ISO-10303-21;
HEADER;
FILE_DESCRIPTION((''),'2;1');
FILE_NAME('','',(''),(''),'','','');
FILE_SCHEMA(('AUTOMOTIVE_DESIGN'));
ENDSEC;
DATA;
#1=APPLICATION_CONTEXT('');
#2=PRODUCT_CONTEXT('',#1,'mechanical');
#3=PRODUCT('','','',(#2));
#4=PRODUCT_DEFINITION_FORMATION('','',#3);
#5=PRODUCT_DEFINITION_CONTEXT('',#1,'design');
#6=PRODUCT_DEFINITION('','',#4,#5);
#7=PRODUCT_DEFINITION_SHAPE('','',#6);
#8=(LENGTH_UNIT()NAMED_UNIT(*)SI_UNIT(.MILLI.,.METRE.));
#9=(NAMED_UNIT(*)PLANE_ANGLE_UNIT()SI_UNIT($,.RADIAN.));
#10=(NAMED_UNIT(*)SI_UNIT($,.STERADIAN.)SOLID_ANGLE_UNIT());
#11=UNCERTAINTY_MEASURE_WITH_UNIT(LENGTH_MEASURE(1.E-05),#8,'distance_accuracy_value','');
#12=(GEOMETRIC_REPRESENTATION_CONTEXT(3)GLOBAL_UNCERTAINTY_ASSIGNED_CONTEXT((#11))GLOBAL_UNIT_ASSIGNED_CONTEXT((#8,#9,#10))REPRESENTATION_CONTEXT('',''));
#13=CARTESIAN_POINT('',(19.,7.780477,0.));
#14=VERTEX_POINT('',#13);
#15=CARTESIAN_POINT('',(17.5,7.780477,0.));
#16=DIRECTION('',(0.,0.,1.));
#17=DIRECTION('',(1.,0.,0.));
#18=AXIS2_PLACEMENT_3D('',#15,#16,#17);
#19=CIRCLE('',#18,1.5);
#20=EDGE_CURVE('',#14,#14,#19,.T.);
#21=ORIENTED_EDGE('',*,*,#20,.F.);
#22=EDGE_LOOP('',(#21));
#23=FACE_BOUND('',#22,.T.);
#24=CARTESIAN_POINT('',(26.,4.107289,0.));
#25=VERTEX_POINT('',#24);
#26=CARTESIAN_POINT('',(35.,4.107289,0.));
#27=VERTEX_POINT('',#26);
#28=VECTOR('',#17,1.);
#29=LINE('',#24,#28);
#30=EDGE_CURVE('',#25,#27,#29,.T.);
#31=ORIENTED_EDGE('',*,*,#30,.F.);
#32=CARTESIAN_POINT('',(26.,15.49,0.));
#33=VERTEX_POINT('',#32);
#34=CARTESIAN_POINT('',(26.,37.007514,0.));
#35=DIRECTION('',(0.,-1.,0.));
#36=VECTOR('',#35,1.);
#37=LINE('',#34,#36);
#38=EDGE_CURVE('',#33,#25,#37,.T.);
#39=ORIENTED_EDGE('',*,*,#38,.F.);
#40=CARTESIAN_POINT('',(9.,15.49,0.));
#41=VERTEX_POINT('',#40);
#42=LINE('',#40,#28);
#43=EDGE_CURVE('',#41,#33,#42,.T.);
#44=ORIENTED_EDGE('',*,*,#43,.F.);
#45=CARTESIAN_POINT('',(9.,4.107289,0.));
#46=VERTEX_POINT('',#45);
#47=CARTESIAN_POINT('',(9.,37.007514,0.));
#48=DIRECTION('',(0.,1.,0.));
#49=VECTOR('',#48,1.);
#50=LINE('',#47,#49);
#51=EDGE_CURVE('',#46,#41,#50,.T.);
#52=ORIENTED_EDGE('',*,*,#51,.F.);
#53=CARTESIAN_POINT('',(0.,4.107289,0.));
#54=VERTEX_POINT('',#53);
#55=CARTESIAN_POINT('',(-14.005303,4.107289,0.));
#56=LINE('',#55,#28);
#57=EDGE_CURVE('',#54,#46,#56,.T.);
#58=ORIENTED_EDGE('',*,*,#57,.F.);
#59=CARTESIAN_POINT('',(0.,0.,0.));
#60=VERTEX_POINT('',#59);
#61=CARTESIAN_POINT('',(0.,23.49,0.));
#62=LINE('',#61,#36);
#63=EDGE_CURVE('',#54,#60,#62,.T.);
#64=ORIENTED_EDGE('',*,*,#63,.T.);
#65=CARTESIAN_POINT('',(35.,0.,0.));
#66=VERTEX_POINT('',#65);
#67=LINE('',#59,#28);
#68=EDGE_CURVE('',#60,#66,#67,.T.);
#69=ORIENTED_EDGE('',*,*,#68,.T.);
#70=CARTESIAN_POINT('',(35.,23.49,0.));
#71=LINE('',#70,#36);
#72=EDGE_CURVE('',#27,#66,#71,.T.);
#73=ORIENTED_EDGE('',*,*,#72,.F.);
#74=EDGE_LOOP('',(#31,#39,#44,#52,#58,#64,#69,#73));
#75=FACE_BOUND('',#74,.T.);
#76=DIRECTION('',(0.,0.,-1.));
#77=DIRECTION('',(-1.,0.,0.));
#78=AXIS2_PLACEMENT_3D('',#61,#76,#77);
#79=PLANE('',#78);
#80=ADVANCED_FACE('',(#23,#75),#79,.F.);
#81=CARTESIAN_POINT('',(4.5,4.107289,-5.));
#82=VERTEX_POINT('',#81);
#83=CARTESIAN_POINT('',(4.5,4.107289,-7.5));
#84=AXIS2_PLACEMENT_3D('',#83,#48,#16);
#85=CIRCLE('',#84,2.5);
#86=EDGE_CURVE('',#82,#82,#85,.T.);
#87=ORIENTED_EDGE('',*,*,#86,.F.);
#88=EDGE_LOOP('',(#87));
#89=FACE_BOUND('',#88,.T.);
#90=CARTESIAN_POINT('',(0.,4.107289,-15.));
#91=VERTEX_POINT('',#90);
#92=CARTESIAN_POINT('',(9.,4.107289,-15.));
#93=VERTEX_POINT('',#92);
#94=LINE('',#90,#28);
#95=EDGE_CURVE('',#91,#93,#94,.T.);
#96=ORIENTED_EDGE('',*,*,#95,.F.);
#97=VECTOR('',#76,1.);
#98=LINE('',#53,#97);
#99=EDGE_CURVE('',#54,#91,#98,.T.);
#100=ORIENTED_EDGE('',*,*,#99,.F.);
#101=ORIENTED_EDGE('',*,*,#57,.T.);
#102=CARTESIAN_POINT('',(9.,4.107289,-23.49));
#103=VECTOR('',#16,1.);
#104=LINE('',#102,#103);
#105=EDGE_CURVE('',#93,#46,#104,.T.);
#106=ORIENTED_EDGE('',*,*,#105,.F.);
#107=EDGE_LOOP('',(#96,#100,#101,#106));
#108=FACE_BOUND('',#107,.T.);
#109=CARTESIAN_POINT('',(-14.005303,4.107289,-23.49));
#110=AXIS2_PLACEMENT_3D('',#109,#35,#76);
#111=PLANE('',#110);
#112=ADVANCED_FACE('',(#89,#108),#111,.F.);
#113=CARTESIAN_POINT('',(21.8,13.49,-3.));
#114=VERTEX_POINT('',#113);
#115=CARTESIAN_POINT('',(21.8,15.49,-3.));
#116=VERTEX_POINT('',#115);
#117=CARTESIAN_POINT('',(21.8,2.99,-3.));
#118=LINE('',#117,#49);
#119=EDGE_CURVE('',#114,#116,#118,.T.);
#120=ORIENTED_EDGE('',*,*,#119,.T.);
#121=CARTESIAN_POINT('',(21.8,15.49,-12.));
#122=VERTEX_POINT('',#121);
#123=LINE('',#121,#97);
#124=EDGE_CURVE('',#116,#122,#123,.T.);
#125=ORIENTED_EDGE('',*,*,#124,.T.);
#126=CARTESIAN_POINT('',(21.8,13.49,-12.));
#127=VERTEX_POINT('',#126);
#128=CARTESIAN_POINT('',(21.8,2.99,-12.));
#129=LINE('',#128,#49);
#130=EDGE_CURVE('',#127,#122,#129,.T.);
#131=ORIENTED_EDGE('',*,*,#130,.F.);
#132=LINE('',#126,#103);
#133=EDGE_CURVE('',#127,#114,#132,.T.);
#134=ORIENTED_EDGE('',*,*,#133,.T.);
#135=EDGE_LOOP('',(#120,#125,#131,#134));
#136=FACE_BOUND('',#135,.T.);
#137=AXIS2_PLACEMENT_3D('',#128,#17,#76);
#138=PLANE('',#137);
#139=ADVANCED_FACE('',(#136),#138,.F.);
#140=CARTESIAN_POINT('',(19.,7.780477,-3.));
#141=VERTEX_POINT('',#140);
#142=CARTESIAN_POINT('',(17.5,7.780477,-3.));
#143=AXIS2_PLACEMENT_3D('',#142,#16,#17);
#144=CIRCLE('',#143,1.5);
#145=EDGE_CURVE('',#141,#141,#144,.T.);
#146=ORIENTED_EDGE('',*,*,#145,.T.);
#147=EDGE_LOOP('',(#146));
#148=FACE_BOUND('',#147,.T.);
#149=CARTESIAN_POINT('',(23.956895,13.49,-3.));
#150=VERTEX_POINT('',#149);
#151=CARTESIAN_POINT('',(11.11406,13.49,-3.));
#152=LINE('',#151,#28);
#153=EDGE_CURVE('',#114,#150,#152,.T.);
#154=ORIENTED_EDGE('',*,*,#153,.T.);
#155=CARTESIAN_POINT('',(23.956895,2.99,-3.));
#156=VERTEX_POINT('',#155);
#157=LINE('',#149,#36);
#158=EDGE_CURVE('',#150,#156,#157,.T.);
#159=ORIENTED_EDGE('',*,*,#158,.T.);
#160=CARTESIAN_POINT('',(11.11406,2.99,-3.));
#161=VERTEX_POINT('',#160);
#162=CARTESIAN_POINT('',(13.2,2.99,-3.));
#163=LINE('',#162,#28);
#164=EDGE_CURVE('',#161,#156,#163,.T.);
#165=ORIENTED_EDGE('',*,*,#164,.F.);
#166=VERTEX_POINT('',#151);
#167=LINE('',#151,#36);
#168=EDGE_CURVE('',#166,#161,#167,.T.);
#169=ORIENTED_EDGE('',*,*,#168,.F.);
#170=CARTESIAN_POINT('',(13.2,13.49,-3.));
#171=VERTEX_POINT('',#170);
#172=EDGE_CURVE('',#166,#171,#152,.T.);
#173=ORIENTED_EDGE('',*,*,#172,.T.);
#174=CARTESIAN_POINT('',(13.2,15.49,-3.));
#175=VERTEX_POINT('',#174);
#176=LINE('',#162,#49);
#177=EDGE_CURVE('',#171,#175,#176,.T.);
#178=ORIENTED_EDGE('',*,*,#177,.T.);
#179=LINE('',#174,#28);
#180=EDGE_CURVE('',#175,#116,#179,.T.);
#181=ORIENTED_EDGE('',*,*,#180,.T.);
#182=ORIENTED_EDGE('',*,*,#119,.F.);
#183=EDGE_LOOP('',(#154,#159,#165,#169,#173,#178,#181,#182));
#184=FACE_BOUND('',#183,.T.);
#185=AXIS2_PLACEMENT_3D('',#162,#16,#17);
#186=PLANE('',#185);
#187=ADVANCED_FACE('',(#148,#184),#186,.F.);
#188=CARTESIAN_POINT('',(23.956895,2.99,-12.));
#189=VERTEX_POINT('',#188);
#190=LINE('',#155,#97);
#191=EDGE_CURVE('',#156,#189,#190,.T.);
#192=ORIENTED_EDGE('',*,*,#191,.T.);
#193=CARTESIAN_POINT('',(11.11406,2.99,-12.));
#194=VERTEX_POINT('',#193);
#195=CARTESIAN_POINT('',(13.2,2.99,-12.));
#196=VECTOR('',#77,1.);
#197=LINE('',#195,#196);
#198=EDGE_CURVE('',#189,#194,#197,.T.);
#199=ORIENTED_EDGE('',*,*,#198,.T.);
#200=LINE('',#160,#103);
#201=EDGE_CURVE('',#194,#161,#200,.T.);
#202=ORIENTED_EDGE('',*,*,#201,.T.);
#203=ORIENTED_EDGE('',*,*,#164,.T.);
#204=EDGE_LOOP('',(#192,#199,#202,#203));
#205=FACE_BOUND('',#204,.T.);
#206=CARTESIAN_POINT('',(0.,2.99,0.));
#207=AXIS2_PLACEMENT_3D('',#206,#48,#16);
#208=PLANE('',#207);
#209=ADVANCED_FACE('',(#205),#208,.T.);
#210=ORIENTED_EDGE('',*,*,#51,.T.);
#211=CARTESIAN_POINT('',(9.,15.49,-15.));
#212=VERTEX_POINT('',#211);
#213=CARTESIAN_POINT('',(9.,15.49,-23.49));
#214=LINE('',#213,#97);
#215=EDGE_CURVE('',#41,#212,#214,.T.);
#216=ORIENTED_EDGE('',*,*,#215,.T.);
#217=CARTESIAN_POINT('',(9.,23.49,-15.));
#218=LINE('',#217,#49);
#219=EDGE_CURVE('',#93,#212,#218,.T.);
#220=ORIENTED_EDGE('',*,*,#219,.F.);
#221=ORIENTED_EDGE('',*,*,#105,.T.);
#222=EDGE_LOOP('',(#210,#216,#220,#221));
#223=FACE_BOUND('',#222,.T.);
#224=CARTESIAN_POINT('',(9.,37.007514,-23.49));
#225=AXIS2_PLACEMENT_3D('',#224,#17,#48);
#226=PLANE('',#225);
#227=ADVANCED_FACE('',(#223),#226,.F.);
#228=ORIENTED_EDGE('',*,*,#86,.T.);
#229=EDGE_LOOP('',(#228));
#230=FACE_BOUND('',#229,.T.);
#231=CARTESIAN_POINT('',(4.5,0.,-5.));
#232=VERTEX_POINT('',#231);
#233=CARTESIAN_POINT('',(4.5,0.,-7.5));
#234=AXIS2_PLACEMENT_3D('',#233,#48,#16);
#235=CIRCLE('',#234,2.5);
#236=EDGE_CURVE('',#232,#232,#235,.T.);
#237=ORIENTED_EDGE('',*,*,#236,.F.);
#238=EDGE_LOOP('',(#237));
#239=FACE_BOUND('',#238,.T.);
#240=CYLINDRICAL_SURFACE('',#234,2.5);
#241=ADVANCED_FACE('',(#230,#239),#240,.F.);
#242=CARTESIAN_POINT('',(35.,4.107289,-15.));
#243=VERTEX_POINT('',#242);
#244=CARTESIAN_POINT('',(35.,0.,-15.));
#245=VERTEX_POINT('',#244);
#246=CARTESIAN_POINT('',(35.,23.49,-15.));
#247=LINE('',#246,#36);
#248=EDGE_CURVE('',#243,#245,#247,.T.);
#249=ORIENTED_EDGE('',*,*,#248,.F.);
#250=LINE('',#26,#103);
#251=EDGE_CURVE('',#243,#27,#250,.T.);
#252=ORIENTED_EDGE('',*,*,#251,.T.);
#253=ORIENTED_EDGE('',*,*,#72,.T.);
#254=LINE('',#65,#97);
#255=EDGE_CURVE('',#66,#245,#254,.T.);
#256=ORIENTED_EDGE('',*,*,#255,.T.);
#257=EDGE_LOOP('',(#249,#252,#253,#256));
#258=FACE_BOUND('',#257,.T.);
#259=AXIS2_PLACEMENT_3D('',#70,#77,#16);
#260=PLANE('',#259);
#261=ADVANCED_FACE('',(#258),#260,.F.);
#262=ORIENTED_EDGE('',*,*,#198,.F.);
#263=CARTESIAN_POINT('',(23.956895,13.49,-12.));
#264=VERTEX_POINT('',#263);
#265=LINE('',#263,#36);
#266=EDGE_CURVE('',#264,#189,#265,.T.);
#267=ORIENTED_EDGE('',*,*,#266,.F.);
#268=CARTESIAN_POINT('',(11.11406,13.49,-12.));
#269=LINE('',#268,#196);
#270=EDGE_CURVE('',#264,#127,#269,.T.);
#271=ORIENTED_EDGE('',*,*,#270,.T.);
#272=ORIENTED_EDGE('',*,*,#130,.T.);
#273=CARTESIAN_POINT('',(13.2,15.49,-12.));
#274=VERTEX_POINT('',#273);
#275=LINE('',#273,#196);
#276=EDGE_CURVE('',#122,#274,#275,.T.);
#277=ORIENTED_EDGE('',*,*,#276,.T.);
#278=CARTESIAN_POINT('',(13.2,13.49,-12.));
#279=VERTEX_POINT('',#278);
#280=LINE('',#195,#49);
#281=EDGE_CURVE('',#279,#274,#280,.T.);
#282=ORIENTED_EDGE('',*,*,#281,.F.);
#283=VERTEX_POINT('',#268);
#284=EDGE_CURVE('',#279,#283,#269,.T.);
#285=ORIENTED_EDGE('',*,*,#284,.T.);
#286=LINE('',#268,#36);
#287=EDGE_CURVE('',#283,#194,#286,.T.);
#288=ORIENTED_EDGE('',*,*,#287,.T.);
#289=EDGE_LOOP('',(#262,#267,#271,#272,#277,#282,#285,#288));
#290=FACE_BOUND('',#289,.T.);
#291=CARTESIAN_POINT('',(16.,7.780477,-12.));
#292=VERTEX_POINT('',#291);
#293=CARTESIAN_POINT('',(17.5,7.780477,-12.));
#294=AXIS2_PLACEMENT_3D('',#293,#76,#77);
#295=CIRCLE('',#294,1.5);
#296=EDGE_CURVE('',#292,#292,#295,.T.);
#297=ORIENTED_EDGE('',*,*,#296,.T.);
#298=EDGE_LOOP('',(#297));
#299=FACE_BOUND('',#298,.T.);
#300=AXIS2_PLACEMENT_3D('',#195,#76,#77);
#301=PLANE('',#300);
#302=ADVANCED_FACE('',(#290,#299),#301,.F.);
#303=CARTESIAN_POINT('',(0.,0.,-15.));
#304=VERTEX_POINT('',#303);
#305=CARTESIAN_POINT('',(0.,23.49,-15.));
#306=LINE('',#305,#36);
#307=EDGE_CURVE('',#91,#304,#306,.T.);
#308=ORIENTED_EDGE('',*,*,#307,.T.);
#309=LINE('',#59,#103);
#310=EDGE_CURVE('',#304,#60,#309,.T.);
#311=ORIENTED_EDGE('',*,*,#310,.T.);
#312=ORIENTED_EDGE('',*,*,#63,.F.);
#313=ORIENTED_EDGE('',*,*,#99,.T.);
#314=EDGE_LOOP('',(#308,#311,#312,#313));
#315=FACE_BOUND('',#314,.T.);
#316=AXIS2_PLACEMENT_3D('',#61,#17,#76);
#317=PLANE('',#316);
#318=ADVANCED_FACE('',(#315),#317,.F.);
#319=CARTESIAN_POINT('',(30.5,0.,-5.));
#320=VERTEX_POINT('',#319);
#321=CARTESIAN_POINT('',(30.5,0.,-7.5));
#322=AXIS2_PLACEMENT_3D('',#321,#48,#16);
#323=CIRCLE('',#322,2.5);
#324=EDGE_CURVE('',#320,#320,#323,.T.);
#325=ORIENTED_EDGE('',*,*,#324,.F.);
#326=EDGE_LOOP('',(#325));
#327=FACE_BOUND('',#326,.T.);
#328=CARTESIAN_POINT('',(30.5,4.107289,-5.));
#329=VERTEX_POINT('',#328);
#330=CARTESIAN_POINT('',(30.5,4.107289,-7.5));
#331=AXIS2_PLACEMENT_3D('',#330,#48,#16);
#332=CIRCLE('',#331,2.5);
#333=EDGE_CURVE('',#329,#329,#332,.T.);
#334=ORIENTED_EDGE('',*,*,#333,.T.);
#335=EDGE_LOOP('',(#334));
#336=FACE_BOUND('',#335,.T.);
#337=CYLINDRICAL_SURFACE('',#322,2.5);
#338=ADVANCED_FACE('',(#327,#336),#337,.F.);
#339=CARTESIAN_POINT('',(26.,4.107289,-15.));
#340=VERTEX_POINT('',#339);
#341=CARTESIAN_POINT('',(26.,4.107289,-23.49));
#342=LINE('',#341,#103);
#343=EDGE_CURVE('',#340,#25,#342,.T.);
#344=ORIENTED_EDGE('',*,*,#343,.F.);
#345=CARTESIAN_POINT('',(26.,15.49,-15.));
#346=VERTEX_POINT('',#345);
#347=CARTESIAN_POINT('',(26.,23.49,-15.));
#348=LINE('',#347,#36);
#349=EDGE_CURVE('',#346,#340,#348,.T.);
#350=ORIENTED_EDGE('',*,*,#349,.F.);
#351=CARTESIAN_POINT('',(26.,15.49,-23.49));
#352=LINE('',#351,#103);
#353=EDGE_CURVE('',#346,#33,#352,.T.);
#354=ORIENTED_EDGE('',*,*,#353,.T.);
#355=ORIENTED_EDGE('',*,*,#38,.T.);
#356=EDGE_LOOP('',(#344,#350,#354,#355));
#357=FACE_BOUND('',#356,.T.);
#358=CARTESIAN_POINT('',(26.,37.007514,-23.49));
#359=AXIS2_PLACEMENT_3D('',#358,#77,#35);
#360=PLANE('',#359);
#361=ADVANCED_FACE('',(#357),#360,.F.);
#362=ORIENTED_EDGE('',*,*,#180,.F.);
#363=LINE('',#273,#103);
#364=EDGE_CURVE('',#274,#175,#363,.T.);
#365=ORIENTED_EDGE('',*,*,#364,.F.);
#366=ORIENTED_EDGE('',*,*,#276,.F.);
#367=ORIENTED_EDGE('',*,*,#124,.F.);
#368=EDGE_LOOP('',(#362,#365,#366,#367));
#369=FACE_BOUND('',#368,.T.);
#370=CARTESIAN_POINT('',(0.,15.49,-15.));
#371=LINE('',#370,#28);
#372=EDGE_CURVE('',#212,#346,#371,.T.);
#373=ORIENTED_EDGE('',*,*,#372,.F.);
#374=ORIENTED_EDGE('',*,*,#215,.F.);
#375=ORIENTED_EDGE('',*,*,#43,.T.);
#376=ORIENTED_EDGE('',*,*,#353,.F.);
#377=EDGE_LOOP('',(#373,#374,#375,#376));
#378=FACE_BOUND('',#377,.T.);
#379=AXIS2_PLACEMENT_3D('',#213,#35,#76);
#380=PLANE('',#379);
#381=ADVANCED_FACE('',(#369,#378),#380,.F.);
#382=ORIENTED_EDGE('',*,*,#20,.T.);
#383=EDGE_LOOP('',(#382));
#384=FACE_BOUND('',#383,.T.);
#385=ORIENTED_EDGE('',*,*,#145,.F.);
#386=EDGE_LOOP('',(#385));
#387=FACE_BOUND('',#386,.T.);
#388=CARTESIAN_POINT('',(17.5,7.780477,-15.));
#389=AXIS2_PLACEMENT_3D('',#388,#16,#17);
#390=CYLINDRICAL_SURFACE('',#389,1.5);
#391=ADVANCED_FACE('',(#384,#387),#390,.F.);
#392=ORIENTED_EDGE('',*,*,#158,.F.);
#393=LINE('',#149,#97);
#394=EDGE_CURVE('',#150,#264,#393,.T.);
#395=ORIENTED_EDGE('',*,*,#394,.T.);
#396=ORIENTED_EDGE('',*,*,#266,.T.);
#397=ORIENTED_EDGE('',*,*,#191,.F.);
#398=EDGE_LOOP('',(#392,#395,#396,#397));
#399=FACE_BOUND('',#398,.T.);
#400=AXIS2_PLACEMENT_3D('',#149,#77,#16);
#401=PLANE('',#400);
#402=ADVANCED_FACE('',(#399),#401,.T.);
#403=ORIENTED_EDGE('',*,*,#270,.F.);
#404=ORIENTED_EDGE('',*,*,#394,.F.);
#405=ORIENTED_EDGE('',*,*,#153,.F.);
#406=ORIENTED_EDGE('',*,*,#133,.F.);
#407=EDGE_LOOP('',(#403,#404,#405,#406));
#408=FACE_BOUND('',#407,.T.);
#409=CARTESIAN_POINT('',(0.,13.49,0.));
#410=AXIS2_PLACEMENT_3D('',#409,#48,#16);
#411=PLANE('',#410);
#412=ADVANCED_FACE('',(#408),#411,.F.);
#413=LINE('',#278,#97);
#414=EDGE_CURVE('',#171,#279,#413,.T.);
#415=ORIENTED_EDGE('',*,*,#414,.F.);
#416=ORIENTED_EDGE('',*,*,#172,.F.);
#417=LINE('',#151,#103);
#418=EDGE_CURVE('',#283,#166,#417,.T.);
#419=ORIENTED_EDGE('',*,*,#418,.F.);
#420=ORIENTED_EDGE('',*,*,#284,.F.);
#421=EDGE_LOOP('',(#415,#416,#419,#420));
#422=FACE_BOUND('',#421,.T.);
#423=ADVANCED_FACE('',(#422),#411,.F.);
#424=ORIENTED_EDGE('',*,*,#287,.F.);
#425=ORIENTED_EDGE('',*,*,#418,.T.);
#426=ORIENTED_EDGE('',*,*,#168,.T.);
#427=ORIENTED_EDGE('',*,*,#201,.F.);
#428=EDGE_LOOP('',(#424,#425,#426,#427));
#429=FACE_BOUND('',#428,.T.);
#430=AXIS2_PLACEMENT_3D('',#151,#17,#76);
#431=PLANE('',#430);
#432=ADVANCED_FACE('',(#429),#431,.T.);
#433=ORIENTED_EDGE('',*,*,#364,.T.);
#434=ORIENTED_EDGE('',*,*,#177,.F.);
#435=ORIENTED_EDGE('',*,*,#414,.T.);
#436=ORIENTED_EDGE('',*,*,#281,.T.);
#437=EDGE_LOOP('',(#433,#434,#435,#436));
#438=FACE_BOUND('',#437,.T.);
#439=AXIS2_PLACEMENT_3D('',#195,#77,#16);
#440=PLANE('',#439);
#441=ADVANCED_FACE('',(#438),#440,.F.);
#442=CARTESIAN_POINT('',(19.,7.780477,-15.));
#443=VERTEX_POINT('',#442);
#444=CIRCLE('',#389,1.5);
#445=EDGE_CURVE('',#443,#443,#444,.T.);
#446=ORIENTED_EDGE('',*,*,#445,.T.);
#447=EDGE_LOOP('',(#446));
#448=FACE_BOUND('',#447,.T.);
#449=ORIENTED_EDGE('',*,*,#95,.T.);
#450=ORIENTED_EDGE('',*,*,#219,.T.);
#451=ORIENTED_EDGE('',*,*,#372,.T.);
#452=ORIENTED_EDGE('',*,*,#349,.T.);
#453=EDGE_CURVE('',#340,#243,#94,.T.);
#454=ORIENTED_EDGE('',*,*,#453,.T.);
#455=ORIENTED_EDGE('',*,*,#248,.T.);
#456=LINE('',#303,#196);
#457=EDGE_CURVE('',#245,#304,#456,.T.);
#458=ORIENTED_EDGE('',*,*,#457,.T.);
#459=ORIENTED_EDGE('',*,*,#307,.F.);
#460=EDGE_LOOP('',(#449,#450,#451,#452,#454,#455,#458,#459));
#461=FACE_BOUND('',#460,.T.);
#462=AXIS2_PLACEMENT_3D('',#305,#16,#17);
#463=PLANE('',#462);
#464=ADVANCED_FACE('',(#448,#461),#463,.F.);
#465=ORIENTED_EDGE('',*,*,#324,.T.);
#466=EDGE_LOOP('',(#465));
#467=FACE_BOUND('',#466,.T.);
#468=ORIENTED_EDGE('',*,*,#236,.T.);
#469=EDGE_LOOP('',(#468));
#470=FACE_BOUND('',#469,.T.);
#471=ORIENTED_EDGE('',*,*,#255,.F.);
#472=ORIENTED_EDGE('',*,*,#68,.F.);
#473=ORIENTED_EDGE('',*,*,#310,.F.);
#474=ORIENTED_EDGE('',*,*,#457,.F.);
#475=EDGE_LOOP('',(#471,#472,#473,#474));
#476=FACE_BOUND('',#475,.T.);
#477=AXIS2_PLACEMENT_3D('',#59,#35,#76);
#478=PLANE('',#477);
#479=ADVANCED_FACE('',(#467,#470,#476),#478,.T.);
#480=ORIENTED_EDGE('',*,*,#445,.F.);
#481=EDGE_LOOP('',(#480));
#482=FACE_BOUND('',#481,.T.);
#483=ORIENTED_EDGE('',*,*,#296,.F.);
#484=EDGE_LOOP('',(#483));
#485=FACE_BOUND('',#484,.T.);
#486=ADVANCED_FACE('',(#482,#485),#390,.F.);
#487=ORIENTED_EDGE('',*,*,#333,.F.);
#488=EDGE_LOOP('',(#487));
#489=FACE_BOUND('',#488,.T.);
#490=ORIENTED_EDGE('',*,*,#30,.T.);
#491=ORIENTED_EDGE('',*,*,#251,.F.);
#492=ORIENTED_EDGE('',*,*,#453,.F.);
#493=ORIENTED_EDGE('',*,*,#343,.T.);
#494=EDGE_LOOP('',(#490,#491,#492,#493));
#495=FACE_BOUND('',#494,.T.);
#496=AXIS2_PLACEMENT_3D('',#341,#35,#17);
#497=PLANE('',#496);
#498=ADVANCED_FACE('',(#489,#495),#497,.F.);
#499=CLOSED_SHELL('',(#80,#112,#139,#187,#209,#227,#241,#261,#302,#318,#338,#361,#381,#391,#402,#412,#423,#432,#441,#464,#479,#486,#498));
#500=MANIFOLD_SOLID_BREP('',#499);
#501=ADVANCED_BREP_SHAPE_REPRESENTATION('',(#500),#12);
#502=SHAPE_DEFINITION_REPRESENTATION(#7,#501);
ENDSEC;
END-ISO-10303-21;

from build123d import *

# Parameters (mm, degrees)
SKETCH1_W           = 35
SKETCH1_H           = 15
BOSS_EXTRUDE1_DEPTH = 23.49
SKETCH2_W           = 22.56001237
SKETCH2_H           = 32.900224363
SKETCH2_W_2         = 23.005303498
CUT_EXTRUDE1_DEPTH  = 23.49
SKETCH3_W           = 17
SKETCH3_H           = 15.731554352
CUT_EXTRUDE2_DEPTH  = 23.49
SKETCH5_W           = 8.6
SKETCH5_H           = 9
CUT_EXTRUDE4_DEPTH  = 12.5
SKETCH8_W           = 12.842835289
SKETCH8_H           = 9
CUT_EXTRUDE5_DEPTH  = 10.5
SKETCH4_R           = 2.5
CUT_EXTRUDE6_DEPTH  = 5.107289171
SKETCH9_R           = 1.5
CUT_EXTRUDE7_DEPTH  = 16


with BuildPart() as part:
    # Sketch1 → Boss-Extrude1 (new body)
    with BuildSketch(Plane(origin=(0, 0, 0), x_dir=(1, 0, 0), z_dir=(0, 1, 0))):
        with Locations((17.5, 7.5)):
            Rectangle(SKETCH1_W, SKETCH1_H)
    extrude(amount=BOSS_EXTRUDE1_DEPTH)

    # Sketch2 → Cut-Extrude1 (cut)
    with BuildSketch(Plane.XY):
        with Locations((37.280006185, 20.557401353)):
            Rectangle(SKETCH2_W, SKETCH2_H)
        with Locations((-2.502651749, 20.557401353)):
            Rectangle(SKETCH2_W_2, SKETCH2_H)
    extrude(amount=-CUT_EXTRUDE1_DEPTH, mode=Mode.SUBTRACT)

    # Sketch3 → Cut-Extrude2 (cut)
    with BuildSketch(Plane.XY):
        with Locations((17.5, 23.355777176)):
            Rectangle(SKETCH3_W, SKETCH3_H)
    extrude(amount=-CUT_EXTRUDE2_DEPTH, mode=Mode.SUBTRACT)

    # Sketch5 → Cut-Extrude4 (cut)
    with BuildSketch(Plane(origin=(0, 15.49, 0), x_dir=(1, 0, 0), z_dir=(0, 1, 0))):
        with Locations((17.5, 7.5)):
            Rectangle(SKETCH5_W, SKETCH5_H)
    extrude(amount=-CUT_EXTRUDE4_DEPTH, mode=Mode.SUBTRACT)

    # Sketch8 → Cut-Extrude5 (cut)
    with BuildSketch(Plane(origin=(0, 2.99, 0), x_dir=(1, 0, 0), z_dir=(0, 1, 0))):
        with Locations((17.535477445, 7.5)):
            Rectangle(SKETCH8_W, SKETCH8_H)
    extrude(amount=CUT_EXTRUDE5_DEPTH, mode=Mode.SUBTRACT)

    # Sketch4 → Cut-Extrude6 (cut, through all)
    with BuildSketch(Plane(origin=(0, 4.107289171, 0), x_dir=(1, 0, 0), z_dir=(0, 1, 0))):
        with Locations((4.5, 7.5)):
            Circle(SKETCH4_R)
        with Locations((30.5, 7.5)):
            Circle(SKETCH4_R)
    extrude(amount=-CUT_EXTRUDE6_DEPTH, mode=Mode.SUBTRACT)

    # Sketch9 → Cut-Extrude7 (cut, through all)
    with BuildSketch(Plane.XY):
        with Locations((17.5, 7.780477446)):
            Circle(SKETCH9_R)
    extrude(amount=-CUT_EXTRUDE7_DEPTH, mode=Mode.SUBTRACT)


solid = part.part
